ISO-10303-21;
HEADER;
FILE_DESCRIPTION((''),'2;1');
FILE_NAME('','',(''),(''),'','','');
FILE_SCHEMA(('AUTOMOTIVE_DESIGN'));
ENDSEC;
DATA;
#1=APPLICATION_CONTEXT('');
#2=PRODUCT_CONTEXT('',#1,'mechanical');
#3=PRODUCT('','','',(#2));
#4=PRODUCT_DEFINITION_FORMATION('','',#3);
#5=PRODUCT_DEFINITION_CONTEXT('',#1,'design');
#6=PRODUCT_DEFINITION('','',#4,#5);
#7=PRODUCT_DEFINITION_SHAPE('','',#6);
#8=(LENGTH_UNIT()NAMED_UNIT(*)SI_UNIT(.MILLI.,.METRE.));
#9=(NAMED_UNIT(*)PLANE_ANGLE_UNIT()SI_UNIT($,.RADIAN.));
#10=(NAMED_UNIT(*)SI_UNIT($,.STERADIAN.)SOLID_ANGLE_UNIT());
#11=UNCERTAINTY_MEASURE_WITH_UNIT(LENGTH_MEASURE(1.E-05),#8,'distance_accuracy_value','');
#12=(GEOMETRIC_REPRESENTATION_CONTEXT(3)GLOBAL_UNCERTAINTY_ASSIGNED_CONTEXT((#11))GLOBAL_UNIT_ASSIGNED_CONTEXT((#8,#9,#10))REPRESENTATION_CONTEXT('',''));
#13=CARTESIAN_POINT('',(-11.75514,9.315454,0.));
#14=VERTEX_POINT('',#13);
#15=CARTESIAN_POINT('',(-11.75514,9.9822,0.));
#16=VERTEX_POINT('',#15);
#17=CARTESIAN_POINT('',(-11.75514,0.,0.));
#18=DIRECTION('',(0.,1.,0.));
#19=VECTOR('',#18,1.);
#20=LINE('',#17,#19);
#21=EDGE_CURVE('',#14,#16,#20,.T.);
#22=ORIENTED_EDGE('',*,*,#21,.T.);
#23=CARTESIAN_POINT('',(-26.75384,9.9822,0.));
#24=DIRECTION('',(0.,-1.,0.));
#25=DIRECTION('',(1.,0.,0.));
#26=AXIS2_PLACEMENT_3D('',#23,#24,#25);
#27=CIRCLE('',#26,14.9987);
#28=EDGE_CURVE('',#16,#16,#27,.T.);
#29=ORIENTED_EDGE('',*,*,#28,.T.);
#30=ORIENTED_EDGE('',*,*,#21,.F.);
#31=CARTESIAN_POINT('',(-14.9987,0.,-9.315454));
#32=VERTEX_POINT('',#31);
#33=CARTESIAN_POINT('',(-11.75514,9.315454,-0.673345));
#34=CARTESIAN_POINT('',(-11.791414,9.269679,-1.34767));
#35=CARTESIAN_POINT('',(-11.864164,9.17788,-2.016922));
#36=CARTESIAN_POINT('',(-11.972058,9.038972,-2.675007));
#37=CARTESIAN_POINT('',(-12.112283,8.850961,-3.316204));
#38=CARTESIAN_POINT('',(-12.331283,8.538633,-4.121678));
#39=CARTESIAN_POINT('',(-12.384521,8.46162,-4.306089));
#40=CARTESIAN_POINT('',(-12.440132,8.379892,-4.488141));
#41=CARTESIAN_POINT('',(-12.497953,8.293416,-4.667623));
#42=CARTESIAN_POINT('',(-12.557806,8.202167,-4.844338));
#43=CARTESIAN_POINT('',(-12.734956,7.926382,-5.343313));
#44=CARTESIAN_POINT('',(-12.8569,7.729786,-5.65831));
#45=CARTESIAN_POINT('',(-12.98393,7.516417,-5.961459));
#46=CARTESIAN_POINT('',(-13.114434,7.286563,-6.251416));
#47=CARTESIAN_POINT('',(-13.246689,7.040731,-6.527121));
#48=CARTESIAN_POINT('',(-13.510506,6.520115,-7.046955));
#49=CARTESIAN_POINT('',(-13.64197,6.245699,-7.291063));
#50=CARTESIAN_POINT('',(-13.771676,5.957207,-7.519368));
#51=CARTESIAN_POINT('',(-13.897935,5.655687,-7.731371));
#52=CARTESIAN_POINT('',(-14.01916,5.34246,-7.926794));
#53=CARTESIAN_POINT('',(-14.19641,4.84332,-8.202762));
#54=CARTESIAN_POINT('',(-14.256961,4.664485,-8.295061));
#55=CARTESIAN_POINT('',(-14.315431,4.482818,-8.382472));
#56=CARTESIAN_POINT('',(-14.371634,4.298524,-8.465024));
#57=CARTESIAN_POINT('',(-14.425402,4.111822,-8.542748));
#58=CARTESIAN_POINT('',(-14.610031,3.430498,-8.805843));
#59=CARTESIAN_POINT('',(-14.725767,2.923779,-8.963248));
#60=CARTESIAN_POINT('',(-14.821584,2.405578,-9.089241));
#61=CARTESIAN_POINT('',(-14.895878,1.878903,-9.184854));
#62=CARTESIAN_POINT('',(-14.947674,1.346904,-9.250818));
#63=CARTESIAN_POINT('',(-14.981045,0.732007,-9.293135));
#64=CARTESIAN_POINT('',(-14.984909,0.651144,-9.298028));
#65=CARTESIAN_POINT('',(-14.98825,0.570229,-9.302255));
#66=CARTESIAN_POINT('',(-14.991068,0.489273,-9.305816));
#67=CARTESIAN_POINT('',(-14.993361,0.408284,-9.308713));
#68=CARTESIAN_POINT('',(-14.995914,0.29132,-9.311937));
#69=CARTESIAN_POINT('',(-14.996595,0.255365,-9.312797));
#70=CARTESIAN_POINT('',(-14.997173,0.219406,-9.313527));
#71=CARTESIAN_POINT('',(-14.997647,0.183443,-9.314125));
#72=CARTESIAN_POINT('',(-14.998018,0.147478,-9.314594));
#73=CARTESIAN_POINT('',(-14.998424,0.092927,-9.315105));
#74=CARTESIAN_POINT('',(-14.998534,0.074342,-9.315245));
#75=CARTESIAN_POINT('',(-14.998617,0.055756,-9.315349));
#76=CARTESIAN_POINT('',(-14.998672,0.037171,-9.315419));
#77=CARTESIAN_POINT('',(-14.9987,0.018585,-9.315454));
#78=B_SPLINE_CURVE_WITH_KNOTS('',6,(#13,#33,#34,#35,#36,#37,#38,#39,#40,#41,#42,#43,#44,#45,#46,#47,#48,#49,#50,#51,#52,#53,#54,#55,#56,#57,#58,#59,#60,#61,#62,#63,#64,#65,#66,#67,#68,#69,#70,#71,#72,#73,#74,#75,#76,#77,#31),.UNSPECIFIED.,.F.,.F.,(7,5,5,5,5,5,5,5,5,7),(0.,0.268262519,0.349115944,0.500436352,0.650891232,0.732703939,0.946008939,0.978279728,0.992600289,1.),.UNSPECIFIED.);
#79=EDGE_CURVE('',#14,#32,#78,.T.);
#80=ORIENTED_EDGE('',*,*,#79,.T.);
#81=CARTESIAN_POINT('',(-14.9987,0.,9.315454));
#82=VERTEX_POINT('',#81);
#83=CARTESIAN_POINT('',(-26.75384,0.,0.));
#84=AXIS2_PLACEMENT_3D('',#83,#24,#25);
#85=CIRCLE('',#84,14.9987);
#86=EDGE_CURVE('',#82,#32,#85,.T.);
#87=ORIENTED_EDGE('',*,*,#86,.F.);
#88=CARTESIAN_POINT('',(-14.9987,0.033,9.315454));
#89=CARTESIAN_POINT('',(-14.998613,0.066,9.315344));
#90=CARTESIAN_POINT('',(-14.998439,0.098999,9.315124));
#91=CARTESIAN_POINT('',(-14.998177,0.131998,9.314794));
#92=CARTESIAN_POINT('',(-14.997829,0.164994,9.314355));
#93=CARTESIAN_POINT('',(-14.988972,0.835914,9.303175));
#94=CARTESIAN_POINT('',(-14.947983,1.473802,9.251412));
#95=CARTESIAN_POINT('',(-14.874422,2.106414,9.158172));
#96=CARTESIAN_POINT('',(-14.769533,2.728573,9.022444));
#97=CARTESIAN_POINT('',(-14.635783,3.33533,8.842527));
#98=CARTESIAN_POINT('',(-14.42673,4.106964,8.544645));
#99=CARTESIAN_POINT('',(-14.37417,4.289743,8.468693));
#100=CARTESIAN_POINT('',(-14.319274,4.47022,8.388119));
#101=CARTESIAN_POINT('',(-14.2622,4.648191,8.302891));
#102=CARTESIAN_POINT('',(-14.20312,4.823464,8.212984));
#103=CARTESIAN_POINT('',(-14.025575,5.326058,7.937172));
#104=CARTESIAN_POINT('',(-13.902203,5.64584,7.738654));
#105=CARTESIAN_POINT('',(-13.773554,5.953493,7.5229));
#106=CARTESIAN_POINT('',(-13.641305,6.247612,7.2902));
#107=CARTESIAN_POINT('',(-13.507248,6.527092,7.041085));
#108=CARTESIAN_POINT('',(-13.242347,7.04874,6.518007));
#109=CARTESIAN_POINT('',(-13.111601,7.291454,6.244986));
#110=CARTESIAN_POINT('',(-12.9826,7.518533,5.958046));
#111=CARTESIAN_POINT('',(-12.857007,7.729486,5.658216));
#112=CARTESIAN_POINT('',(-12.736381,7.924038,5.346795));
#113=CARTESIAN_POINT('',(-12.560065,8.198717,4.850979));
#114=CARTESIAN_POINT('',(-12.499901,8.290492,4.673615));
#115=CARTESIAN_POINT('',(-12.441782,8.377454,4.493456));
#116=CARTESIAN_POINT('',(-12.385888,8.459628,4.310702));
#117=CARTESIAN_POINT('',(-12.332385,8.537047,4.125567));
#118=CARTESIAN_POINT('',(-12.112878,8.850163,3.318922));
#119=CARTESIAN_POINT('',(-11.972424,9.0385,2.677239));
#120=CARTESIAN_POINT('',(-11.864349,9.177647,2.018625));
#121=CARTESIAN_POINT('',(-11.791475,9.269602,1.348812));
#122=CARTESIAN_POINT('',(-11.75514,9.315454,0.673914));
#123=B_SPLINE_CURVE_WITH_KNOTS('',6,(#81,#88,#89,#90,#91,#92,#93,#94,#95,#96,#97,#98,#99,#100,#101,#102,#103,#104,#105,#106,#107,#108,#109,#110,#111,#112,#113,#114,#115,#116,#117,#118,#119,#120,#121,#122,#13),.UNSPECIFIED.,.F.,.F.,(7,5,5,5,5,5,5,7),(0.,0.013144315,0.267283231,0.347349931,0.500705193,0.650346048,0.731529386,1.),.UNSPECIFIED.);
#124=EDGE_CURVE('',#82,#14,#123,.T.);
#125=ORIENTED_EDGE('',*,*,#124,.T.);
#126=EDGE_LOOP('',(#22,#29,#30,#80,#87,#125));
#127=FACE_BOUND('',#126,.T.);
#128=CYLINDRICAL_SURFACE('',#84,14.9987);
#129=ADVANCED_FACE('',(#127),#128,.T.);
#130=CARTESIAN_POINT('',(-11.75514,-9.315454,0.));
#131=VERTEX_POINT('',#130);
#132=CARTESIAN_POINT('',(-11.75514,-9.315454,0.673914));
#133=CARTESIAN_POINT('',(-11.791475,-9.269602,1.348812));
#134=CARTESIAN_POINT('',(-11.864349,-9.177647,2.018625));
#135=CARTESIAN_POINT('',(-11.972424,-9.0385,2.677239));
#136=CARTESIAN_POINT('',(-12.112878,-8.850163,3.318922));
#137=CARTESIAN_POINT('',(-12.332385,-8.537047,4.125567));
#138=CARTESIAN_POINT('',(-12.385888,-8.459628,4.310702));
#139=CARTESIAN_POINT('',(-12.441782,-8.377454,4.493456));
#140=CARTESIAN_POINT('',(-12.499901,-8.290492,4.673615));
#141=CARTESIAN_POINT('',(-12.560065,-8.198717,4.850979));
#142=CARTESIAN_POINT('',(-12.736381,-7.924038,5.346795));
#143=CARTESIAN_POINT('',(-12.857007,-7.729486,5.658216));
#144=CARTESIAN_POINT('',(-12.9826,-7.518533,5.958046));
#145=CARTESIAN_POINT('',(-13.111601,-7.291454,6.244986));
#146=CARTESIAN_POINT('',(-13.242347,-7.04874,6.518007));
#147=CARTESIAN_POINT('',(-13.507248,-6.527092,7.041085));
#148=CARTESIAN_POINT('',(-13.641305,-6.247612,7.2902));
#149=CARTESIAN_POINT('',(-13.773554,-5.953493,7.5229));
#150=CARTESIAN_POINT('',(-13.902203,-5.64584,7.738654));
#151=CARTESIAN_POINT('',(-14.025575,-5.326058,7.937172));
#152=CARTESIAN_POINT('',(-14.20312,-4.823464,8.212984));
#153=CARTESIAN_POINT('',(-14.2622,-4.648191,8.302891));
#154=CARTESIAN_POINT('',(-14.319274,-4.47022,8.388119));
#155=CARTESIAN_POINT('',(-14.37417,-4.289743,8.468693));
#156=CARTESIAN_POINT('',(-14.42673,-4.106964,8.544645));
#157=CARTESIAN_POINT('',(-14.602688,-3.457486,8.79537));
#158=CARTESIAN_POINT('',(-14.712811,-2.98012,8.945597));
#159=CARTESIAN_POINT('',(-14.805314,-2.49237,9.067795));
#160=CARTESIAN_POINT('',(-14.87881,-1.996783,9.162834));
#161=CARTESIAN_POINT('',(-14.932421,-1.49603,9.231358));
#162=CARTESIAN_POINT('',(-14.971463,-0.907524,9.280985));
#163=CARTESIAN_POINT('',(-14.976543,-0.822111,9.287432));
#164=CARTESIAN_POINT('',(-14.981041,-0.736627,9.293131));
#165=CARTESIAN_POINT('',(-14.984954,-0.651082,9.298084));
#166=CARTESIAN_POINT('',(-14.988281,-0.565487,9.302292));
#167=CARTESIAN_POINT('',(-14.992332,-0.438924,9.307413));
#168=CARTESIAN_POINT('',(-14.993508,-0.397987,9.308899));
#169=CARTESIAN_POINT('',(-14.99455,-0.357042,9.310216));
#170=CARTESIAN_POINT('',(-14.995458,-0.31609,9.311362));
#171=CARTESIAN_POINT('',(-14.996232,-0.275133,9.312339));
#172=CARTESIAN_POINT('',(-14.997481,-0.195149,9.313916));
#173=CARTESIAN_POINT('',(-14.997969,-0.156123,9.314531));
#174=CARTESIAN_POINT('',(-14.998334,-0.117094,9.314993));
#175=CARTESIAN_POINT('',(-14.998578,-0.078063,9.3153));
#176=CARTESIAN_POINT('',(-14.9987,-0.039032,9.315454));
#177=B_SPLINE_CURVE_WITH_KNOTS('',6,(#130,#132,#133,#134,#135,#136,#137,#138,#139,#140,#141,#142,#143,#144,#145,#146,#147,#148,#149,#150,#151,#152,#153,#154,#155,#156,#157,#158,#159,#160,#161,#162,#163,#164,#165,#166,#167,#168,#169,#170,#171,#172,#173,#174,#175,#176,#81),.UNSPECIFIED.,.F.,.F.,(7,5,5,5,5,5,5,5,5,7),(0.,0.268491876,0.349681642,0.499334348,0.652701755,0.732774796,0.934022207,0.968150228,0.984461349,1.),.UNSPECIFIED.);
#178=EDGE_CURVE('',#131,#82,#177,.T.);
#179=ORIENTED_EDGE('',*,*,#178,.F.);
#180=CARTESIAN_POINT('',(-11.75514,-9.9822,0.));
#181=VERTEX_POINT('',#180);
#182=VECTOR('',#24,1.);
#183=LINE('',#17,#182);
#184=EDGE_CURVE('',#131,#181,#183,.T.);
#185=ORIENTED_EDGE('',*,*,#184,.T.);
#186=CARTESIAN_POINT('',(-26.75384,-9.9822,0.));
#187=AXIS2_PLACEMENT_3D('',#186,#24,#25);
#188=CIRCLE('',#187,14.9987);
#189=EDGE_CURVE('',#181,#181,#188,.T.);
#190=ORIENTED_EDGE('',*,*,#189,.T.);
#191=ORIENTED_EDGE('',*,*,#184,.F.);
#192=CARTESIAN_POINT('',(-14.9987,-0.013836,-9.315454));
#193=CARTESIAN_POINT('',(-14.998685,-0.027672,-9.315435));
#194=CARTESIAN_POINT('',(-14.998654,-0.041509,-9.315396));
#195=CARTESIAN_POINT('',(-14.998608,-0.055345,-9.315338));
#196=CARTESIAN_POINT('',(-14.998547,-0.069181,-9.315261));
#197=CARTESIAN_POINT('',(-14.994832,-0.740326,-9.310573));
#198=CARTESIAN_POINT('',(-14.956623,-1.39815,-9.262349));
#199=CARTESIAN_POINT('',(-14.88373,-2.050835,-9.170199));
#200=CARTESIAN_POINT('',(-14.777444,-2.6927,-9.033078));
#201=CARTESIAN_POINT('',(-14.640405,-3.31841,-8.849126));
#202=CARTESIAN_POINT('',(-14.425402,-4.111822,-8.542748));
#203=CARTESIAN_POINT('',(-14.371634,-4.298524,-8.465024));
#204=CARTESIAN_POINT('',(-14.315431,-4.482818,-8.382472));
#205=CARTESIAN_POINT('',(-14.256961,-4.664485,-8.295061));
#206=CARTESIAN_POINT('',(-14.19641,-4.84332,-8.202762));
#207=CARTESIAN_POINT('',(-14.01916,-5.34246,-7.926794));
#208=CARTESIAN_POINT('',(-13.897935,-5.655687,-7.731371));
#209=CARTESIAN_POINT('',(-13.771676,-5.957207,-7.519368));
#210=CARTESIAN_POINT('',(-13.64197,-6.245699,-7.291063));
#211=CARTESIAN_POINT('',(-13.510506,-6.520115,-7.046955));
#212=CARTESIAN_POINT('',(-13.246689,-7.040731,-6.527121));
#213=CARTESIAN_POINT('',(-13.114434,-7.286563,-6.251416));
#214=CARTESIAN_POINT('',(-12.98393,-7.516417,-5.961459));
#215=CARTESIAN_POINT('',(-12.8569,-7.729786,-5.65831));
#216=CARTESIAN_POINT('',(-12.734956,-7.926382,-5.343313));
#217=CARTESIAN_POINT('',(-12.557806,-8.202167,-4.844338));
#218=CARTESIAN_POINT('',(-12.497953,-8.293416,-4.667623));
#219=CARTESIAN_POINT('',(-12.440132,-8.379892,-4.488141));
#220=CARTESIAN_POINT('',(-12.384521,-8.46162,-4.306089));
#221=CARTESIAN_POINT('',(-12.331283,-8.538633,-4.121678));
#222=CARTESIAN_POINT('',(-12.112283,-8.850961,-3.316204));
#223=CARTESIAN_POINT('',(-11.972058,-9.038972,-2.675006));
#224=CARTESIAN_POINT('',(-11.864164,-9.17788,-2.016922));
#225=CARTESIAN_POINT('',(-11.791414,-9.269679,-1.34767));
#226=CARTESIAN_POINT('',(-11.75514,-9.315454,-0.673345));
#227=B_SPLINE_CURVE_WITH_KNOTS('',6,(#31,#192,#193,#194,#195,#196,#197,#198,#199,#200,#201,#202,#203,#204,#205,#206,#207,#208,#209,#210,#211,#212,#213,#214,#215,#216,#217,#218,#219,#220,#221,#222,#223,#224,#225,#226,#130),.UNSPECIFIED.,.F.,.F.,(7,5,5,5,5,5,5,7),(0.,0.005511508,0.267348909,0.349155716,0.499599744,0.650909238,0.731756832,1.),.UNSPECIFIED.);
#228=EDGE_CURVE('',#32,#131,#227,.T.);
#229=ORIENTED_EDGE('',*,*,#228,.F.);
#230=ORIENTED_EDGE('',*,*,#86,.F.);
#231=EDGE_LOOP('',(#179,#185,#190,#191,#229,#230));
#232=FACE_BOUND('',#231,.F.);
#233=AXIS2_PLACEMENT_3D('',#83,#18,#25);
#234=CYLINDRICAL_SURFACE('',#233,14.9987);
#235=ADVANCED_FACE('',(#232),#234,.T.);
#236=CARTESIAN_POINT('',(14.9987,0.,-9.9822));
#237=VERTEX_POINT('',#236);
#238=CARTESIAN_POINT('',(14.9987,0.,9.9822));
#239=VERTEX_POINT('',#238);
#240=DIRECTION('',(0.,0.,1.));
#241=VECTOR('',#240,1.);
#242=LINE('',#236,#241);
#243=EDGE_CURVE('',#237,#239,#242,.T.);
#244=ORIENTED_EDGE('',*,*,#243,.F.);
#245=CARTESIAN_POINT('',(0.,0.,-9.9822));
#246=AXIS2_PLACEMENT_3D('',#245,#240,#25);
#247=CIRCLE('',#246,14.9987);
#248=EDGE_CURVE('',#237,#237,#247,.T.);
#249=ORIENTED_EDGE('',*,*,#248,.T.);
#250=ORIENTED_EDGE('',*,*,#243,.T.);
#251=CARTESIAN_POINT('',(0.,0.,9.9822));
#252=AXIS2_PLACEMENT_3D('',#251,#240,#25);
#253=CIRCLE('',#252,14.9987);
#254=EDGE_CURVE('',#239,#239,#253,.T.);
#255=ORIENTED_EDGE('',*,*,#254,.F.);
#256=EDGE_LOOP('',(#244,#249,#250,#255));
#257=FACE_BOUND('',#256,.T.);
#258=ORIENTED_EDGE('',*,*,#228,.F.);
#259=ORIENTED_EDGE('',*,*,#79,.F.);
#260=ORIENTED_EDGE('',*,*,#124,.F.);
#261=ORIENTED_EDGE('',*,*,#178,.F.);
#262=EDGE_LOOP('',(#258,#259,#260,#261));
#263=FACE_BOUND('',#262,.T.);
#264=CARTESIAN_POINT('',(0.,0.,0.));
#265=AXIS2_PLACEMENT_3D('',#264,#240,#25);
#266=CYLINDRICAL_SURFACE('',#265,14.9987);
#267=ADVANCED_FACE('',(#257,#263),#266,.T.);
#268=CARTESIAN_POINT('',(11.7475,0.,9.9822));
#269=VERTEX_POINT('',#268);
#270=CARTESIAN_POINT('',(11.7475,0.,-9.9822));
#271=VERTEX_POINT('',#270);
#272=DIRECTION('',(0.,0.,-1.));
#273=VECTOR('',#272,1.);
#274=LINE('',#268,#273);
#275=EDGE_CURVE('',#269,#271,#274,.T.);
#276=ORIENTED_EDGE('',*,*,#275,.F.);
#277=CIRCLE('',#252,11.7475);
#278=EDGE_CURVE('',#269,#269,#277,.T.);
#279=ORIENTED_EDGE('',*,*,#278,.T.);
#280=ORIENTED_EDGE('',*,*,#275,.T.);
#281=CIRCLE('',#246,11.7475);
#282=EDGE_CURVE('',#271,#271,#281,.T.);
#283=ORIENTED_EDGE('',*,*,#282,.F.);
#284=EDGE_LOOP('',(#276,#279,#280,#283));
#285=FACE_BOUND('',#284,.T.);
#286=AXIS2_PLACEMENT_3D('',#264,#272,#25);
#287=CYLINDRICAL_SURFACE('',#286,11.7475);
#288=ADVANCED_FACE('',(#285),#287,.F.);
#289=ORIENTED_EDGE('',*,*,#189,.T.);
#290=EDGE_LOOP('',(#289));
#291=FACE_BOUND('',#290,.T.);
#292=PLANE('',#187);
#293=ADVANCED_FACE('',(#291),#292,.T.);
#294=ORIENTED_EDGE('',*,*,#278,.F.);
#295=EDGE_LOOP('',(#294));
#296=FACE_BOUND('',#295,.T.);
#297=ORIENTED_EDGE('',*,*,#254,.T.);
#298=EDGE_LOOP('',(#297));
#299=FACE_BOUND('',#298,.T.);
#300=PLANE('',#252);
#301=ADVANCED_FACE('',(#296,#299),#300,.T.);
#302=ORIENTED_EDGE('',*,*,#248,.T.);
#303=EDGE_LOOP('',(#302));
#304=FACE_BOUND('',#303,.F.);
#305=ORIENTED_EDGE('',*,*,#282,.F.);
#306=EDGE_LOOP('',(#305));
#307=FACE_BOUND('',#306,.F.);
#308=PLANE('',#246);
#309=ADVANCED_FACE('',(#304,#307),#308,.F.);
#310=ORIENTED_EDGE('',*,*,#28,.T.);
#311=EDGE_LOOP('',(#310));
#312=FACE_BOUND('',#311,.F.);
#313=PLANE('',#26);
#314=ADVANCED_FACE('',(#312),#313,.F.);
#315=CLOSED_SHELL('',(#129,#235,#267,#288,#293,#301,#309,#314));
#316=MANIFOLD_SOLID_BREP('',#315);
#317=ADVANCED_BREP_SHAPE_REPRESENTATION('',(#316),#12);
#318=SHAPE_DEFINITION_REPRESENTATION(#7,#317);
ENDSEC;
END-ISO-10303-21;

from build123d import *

# Parameters (mm, degrees)
F0_R          = 14.9987
F0_R_2        = 11.7475
F1_DEPTH      = 9.9822
F1_DEPTH_BACK = 9.9822
F2_R          = 14.9987
F2_R_2        = 11.7475
F3_DEPTH      = 9.9822
F3_DEPTH_BACK = 9.9822


with BuildPart() as f1:
    # F0 (on Top) → F1 (new body, two sides)
    with BuildSketch(Plane.XY) as f1_sk:
        Circle(F0_R)
        Circle(F0_R_2, mode=Mode.SUBTRACT)
    extrude(amount=F1_DEPTH)
    extrude(f1_sk.sketch, amount=-F1_DEPTH_BACK)

    # F2 (on Front) → F3 (join, two sides)
    with BuildSketch(Plane.XZ) as f3_sk:
        with Locations((-26.75384, 0)):
            Circle(F2_R)
        with Locations((-26.75384, 0)):
            Circle(F2_R_2, mode=Mode.SUBTRACT)
        with Locations((-26.75384, 0)):
            Circle(F2_R_2)
    extrude(amount=F3_DEPTH)
    extrude(f3_sk.sketch, amount=-F3_DEPTH_BACK)


solid = f1.part
